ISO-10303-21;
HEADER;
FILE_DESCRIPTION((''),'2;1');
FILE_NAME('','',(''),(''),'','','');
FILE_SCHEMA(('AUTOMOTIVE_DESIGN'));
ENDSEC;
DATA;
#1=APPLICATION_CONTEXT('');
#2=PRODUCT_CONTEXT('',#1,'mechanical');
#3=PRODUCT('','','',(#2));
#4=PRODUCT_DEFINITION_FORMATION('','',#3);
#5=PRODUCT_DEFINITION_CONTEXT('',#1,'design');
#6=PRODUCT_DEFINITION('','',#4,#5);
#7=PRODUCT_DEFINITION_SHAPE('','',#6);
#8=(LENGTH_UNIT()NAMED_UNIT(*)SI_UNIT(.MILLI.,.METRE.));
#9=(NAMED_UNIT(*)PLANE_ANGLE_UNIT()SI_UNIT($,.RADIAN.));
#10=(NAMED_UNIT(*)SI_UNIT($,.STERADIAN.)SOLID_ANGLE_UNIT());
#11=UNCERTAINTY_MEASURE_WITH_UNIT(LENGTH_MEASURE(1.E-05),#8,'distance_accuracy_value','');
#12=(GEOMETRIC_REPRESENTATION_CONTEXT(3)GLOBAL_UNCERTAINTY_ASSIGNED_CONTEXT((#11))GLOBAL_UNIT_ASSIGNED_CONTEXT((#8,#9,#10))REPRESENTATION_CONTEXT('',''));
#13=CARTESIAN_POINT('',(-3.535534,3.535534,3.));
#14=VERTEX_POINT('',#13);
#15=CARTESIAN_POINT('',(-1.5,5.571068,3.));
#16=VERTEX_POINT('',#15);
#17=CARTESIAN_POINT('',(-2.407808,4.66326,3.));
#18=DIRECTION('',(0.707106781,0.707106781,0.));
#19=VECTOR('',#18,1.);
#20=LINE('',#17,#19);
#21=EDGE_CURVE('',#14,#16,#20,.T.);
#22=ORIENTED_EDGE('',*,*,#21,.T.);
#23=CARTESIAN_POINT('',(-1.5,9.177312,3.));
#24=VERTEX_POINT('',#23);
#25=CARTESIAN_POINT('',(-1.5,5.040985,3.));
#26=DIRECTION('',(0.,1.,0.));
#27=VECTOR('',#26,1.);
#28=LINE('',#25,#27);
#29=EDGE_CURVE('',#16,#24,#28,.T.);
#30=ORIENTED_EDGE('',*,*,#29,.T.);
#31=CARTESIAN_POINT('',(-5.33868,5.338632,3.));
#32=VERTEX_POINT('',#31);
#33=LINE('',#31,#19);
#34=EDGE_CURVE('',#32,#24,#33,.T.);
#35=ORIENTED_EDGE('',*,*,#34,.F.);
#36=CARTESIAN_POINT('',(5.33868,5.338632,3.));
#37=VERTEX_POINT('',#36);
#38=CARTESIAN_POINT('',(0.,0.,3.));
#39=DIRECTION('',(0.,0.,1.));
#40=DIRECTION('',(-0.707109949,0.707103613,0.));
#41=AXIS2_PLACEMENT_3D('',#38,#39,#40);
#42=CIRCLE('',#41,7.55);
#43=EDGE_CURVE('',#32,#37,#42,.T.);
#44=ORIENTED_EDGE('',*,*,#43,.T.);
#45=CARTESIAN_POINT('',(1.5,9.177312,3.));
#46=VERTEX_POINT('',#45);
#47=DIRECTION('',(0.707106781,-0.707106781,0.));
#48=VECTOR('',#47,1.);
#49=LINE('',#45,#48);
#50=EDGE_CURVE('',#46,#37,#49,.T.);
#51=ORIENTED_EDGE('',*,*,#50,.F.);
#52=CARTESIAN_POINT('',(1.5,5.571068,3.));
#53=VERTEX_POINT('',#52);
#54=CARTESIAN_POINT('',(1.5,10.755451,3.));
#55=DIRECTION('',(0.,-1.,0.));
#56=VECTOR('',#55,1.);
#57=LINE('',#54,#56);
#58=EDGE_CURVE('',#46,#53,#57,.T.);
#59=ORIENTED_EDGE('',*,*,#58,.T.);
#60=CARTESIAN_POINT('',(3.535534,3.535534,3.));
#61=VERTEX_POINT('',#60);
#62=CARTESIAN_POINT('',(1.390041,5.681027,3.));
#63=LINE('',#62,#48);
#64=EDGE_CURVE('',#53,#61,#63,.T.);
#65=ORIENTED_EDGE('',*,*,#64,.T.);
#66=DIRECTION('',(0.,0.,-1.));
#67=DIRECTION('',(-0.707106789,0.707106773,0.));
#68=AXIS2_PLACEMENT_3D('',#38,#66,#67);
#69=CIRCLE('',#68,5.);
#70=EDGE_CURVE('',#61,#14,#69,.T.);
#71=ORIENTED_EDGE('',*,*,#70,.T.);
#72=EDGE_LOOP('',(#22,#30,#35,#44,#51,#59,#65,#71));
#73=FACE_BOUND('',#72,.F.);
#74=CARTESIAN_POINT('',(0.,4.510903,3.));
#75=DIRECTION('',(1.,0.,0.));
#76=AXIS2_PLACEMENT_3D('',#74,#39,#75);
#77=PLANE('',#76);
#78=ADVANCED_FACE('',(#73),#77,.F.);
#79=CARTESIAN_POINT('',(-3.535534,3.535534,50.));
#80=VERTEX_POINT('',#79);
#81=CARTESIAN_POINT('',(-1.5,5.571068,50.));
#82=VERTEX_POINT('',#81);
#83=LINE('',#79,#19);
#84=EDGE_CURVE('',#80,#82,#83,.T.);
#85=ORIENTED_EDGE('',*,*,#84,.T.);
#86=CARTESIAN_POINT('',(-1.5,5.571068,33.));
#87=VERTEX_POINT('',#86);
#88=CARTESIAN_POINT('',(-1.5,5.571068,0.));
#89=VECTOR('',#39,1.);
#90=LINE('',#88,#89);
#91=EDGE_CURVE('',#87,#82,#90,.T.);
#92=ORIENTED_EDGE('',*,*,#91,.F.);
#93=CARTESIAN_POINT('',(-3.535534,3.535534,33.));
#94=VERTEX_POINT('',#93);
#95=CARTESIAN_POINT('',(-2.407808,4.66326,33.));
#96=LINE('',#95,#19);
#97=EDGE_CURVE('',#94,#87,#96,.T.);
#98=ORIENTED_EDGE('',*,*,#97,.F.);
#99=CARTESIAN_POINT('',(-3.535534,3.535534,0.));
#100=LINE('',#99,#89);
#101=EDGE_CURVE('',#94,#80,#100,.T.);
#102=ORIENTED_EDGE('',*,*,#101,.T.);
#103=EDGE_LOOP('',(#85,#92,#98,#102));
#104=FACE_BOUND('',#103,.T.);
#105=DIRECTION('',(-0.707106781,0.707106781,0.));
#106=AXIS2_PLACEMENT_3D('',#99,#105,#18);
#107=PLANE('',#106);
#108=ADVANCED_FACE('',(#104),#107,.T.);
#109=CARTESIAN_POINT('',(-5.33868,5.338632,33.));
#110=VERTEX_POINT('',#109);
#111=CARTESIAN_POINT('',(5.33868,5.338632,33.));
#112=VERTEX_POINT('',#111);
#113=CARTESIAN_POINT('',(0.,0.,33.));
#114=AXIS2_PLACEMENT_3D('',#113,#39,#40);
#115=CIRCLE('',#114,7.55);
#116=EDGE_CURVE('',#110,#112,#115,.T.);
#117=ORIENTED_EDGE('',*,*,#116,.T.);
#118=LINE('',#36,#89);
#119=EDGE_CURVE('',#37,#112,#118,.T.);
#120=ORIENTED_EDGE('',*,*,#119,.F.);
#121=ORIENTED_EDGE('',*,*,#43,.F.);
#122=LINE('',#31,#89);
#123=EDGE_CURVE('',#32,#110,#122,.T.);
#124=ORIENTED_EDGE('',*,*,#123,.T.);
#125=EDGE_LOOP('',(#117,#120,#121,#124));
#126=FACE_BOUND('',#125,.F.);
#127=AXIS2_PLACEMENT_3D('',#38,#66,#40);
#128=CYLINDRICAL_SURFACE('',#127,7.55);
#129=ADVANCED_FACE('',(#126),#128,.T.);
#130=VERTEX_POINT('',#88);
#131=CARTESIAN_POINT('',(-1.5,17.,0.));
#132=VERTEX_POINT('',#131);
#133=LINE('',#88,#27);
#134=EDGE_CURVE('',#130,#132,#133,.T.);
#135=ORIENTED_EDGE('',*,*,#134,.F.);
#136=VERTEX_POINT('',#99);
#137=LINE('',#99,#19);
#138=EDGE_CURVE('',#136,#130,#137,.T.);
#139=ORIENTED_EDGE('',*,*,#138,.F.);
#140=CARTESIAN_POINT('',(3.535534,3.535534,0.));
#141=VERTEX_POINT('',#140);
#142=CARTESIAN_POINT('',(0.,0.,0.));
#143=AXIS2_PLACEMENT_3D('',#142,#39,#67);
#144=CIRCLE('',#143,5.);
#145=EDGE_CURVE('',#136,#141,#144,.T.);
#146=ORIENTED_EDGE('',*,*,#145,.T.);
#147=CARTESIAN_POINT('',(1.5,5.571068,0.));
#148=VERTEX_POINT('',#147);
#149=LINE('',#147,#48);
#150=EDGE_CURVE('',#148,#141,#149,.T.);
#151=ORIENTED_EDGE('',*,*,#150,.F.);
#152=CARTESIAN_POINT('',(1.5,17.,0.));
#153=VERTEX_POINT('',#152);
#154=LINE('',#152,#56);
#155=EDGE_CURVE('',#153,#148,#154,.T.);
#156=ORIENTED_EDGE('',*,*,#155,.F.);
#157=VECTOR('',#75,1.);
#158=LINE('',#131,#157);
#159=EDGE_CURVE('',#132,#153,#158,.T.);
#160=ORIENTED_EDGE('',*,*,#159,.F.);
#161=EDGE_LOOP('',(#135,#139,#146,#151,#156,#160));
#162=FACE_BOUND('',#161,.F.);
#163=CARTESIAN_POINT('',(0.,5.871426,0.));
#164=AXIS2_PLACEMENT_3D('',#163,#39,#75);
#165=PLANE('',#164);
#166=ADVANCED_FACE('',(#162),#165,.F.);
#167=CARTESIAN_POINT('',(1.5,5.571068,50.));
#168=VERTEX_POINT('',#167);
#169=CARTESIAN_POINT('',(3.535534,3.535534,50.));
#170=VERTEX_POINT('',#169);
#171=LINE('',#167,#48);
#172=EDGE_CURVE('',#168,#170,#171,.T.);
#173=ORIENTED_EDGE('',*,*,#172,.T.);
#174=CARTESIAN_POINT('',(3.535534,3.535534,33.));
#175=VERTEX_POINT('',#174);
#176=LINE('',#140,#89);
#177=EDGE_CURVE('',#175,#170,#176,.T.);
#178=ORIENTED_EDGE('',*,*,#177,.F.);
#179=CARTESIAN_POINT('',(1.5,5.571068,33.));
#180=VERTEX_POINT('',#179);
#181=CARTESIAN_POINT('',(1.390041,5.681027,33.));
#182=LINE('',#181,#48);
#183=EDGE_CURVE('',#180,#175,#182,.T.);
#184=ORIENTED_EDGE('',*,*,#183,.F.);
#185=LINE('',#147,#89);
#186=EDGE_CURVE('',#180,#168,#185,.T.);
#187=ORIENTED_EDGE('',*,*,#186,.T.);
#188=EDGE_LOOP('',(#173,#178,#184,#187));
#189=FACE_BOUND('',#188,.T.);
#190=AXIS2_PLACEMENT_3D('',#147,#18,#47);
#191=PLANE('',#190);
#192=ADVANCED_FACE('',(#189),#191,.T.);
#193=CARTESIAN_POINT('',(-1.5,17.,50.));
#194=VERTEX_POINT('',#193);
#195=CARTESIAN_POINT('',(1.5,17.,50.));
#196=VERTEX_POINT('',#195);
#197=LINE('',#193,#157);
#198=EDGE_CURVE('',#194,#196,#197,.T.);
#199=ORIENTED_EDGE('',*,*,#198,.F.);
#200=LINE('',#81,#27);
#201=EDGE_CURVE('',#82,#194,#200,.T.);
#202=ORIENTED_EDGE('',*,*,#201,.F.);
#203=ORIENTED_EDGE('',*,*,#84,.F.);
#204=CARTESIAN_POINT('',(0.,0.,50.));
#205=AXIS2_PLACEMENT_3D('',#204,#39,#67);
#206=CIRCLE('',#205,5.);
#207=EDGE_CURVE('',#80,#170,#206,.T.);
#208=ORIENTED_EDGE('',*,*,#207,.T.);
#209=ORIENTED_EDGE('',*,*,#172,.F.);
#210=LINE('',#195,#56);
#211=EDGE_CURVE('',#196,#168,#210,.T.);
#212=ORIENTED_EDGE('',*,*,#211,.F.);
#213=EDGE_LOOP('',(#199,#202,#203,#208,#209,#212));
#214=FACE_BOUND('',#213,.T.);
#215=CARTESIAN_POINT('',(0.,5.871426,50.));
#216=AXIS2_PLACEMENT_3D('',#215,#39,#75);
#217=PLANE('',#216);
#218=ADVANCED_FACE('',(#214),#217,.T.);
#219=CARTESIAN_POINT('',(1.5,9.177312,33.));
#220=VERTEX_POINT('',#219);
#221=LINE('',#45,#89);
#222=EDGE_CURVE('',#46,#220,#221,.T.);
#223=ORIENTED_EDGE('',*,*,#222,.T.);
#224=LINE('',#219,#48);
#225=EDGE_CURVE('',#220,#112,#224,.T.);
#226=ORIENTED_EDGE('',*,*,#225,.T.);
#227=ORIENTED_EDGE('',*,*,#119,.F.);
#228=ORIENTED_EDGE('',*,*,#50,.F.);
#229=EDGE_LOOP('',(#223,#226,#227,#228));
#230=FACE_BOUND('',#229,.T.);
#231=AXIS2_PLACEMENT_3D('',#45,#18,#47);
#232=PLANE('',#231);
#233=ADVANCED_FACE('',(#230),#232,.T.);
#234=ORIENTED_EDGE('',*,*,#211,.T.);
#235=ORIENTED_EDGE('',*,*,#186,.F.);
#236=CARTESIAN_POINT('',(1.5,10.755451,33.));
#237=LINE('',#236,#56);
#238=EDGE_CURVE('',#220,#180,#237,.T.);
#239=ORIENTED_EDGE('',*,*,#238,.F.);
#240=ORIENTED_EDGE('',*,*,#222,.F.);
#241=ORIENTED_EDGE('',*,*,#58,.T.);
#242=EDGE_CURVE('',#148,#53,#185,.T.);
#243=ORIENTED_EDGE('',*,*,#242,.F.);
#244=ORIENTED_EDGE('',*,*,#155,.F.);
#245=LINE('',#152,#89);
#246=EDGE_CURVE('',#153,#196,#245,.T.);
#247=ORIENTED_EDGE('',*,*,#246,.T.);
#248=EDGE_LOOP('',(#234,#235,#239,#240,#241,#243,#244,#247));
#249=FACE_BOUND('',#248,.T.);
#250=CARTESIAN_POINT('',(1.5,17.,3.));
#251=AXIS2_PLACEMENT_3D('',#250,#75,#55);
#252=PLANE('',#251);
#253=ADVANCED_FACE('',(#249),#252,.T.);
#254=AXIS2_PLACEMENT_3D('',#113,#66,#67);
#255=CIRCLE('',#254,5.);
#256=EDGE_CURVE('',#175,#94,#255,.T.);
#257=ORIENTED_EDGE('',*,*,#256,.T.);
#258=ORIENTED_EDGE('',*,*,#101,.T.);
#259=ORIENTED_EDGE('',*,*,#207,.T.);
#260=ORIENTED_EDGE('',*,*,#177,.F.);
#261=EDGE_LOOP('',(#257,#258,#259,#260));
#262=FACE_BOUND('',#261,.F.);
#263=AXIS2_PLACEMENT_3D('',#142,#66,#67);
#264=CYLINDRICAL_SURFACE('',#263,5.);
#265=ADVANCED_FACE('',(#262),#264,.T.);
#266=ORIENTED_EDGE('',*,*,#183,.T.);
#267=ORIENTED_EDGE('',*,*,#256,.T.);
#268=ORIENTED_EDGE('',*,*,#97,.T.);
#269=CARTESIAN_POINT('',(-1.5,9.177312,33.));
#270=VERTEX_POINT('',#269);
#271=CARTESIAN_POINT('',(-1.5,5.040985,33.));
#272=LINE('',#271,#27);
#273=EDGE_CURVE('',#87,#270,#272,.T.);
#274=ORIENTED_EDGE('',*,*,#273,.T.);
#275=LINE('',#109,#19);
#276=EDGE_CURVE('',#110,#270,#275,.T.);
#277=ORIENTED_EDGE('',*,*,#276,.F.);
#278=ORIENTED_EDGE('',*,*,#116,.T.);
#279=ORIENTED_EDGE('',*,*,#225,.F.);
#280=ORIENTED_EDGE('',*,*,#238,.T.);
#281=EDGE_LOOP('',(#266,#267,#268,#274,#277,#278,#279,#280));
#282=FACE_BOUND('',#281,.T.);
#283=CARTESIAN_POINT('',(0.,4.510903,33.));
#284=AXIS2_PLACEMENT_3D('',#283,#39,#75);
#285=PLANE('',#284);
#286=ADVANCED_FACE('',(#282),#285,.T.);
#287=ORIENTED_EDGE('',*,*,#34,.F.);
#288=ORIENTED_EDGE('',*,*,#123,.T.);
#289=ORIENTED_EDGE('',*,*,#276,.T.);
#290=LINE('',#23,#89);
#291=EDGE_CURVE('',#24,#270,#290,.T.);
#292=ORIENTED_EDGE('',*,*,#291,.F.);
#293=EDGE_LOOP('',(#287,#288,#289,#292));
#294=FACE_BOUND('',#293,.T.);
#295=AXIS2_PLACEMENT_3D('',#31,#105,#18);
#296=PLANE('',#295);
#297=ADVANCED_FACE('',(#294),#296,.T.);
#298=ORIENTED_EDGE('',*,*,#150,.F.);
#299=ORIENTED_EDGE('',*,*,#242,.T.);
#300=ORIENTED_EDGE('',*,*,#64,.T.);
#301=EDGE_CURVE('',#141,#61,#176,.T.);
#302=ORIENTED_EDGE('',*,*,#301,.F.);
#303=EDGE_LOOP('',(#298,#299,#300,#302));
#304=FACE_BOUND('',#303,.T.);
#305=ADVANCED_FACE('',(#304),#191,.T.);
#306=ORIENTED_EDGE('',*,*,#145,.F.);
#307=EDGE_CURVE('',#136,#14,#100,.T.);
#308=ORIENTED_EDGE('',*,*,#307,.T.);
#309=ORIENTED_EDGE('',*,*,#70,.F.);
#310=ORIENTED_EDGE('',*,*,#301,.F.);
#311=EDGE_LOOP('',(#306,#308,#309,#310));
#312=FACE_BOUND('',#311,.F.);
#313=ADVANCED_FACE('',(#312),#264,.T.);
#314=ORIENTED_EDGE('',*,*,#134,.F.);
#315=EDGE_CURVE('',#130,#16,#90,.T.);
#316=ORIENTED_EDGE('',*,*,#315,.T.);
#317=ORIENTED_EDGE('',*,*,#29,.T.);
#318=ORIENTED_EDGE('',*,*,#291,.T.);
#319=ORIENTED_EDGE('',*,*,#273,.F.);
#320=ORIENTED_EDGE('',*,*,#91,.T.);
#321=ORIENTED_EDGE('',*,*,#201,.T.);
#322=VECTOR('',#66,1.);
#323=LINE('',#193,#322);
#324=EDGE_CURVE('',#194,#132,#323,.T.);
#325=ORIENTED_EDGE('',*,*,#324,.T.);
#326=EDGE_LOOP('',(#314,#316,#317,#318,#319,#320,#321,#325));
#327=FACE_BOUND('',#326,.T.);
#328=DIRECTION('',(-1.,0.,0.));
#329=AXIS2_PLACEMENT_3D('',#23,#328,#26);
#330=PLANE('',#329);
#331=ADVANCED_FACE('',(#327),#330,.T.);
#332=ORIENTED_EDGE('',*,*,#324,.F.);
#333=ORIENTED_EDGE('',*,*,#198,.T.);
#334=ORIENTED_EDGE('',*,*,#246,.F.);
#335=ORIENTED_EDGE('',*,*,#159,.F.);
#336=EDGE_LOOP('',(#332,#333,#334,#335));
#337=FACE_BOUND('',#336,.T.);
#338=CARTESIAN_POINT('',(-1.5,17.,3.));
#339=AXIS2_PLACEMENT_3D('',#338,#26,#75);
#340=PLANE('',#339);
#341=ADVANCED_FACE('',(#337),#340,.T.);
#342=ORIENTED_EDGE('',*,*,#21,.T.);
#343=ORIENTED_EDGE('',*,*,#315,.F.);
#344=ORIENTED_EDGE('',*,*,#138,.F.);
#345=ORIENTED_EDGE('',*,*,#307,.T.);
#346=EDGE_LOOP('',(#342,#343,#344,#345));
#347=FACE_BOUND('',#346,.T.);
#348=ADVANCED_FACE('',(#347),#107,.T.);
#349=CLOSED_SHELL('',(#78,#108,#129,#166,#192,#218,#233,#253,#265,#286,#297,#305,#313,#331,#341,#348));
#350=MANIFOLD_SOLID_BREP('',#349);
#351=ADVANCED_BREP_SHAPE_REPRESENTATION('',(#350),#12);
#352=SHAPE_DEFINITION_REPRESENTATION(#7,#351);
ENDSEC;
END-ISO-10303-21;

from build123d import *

# Parameters (mm, degrees)
EXTRUDE004_DEPTH = 30
PAD008_DEPTH     = 50


with BuildPart() as bearingslot001:
    # Sketch025 → Extrude004 (new body)
    with BuildSketch(Plane.XY):
        with BuildLine():
            ThreePointArc((-5.33868, 5.338632), (0, -7.55), (5.33868, 5.338632))
            Line((1.5, 9.177312), (5.33868, 5.338632))
            Line((1.5, 17), (1.5, 9.177312))
            Line((-1.5, 17), (1.5, 17))
            Line((-1.5, 9.177312), (-1.5, 17))
            Line((-5.33868, 5.338632), (-1.5, 9.177312))
        make_face()
    extrude(amount=EXTRUDE004_DEPTH)


with BuildPart() as bearingslot001_1:
    # Extrude004 placement: moved
    add(bearingslot001.part.moved(Location((0, 0, 3))))


with BuildPart() as yaxiscavity:
    # Sketch024 → Pad008 (new body)
    with BuildSketch(Plane.XY):
        with BuildLine():
            ThreePointArc((-3.535534, 3.535534), (0, -5), (3.535534, 3.535534))
            Line((1.5, 5.571068), (3.535534, 3.535534))
            Line((1.5, 17), (1.5, 5.571068))
            Line((-1.5, 17), (1.5, 17))
            Line((-1.5, 5.571068), (-1.5, 17))
            Line((-3.535534, 3.535534), (-1.5, 5.571068))
        make_face()
    extrude(amount=PAD008_DEPTH)

    # Fusion002: union BearingSlot001
    add(bearingslot001_1.part)


solid = yaxiscavity.part
